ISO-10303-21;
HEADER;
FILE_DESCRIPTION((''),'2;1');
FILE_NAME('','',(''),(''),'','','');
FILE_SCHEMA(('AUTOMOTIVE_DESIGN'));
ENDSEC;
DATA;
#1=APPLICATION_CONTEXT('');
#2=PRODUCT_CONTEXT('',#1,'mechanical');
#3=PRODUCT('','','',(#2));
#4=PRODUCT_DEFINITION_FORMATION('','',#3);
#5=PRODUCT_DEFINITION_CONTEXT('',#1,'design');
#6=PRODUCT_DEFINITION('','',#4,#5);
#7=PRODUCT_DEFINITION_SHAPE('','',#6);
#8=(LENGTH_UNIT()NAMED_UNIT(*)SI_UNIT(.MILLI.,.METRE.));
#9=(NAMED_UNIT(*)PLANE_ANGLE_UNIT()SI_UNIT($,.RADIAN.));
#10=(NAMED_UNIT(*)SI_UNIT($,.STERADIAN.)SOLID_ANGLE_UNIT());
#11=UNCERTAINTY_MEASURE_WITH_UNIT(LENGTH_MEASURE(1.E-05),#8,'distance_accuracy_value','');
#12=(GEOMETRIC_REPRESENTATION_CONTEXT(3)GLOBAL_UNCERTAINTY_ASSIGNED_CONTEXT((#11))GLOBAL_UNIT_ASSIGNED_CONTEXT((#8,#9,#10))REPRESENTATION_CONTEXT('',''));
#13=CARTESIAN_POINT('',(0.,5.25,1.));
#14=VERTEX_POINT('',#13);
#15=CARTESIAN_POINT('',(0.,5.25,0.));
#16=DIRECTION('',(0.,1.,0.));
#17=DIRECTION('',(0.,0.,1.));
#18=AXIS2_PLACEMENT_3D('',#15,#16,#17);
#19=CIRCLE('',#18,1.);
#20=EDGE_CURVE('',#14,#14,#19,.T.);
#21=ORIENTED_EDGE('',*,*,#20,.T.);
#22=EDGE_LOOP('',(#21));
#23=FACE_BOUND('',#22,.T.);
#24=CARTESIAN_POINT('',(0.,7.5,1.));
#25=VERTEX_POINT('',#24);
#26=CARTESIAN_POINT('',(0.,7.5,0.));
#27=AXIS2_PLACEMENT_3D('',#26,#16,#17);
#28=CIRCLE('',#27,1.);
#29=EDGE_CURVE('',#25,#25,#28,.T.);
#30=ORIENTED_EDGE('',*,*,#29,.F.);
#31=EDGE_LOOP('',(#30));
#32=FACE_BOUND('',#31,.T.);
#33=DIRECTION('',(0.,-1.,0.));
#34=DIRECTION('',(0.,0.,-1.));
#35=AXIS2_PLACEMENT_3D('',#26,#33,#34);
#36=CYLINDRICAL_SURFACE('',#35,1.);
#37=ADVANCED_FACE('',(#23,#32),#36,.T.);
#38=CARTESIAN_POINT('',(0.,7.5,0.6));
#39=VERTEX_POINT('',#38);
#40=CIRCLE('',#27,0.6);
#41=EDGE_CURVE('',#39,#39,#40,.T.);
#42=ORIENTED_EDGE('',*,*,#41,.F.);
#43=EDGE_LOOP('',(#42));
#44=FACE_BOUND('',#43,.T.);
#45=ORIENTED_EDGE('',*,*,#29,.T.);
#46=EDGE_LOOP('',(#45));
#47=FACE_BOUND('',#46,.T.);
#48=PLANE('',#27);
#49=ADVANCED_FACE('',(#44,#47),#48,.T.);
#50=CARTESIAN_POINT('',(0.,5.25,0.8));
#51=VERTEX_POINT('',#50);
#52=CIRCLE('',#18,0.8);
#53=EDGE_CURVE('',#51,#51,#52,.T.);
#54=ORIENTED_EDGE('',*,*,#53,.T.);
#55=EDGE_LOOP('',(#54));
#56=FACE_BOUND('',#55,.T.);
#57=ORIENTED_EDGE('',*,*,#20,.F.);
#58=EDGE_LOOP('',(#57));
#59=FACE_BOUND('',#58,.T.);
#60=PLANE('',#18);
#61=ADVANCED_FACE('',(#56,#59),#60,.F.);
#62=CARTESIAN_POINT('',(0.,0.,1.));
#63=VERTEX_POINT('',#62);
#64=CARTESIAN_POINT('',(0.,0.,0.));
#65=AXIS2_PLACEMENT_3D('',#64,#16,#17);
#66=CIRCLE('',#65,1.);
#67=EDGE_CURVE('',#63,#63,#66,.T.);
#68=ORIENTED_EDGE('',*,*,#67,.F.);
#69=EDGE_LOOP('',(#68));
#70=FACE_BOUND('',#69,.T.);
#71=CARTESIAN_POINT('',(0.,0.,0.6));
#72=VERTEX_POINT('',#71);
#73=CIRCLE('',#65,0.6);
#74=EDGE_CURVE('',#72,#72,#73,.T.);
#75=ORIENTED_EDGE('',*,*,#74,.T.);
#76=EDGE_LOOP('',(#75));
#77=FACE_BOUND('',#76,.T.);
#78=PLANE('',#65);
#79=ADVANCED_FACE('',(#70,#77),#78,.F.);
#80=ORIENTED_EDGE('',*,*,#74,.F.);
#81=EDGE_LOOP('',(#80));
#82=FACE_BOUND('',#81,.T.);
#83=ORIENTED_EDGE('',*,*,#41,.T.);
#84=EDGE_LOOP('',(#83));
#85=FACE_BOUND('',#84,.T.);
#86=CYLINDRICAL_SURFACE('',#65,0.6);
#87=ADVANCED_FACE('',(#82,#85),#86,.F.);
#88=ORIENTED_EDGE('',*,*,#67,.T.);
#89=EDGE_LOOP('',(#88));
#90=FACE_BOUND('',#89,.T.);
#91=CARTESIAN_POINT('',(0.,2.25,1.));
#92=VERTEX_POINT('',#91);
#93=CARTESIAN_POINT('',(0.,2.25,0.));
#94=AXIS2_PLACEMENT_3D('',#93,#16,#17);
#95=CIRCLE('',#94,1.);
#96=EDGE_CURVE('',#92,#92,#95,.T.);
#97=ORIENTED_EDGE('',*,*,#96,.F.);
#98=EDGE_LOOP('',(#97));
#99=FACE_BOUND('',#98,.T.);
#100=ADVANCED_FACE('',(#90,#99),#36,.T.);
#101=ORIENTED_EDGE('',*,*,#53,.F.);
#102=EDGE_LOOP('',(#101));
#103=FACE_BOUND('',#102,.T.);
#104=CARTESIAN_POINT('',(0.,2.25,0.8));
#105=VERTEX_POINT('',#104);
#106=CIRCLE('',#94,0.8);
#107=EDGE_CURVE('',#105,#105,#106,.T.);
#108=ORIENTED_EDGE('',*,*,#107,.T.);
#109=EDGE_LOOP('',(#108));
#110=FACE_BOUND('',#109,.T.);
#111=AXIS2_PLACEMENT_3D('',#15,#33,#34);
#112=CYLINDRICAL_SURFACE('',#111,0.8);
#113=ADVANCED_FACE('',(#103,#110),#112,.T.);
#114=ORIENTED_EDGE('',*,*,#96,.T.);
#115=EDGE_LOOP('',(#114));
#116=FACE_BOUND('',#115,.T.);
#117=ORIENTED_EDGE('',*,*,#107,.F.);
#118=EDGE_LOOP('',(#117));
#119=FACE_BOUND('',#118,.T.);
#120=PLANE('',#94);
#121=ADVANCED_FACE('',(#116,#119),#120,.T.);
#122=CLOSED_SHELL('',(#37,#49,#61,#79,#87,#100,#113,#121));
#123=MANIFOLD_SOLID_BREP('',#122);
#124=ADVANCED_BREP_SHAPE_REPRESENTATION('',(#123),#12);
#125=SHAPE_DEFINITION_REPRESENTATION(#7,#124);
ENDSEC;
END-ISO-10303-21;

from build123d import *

# Parameters (mm, degrees)
SKETCH2_R               = 1
BOSS_EXTRUDE1_DEPTH     = 7.5
SKETCH4_OUTSIDE_W       = 5.604
SKETCH4_OUTSIDE_H       = 5.604
SKETCH4_OUTSIDE_R       = 0.8
CUT_EXTRUDE1_DEPTH      = 1.5
CUT_EXTRUDE1_DEPTH_BACK = 1.5
SKETCH5_R               = 0.6
CUT_EXTRUDE2_DEPTH      = 7.5


with BuildPart() as part:
    # Sketch2 → Boss-Extrude1 (new body)
    with BuildSketch(Plane(origin=(0, 0, 0), x_dir=(1, 0, 0), z_dir=(0, 1, 0))):
        Circle(SKETCH2_R)
    extrude(amount=BOSS_EXTRUDE1_DEPTH)

    # Sketch4 outside → Cut-Extrude1 (cut, two sides)
    with BuildSketch(Plane(origin=(0, 3.75, 0), x_dir=(1, 0, 0), z_dir=(0, 1, 0))) as cut_extrude1_sk:
        Rectangle(SKETCH4_OUTSIDE_W, SKETCH4_OUTSIDE_H)
        Circle(SKETCH4_OUTSIDE_R, mode=Mode.SUBTRACT)
    extrude(amount=CUT_EXTRUDE1_DEPTH, mode=Mode.SUBTRACT)
    extrude(cut_extrude1_sk.sketch, amount=-CUT_EXTRUDE1_DEPTH_BACK, mode=Mode.SUBTRACT)

    # Sketch5 → Cut-Extrude2 (cut)
    with BuildSketch(Plane(origin=(0, 7.5, 0), x_dir=(1, 0, 0), z_dir=(0, 1, 0))):
        Circle(SKETCH5_R)
    extrude(amount=-CUT_EXTRUDE2_DEPTH, mode=Mode.SUBTRACT)


solid = part.part
